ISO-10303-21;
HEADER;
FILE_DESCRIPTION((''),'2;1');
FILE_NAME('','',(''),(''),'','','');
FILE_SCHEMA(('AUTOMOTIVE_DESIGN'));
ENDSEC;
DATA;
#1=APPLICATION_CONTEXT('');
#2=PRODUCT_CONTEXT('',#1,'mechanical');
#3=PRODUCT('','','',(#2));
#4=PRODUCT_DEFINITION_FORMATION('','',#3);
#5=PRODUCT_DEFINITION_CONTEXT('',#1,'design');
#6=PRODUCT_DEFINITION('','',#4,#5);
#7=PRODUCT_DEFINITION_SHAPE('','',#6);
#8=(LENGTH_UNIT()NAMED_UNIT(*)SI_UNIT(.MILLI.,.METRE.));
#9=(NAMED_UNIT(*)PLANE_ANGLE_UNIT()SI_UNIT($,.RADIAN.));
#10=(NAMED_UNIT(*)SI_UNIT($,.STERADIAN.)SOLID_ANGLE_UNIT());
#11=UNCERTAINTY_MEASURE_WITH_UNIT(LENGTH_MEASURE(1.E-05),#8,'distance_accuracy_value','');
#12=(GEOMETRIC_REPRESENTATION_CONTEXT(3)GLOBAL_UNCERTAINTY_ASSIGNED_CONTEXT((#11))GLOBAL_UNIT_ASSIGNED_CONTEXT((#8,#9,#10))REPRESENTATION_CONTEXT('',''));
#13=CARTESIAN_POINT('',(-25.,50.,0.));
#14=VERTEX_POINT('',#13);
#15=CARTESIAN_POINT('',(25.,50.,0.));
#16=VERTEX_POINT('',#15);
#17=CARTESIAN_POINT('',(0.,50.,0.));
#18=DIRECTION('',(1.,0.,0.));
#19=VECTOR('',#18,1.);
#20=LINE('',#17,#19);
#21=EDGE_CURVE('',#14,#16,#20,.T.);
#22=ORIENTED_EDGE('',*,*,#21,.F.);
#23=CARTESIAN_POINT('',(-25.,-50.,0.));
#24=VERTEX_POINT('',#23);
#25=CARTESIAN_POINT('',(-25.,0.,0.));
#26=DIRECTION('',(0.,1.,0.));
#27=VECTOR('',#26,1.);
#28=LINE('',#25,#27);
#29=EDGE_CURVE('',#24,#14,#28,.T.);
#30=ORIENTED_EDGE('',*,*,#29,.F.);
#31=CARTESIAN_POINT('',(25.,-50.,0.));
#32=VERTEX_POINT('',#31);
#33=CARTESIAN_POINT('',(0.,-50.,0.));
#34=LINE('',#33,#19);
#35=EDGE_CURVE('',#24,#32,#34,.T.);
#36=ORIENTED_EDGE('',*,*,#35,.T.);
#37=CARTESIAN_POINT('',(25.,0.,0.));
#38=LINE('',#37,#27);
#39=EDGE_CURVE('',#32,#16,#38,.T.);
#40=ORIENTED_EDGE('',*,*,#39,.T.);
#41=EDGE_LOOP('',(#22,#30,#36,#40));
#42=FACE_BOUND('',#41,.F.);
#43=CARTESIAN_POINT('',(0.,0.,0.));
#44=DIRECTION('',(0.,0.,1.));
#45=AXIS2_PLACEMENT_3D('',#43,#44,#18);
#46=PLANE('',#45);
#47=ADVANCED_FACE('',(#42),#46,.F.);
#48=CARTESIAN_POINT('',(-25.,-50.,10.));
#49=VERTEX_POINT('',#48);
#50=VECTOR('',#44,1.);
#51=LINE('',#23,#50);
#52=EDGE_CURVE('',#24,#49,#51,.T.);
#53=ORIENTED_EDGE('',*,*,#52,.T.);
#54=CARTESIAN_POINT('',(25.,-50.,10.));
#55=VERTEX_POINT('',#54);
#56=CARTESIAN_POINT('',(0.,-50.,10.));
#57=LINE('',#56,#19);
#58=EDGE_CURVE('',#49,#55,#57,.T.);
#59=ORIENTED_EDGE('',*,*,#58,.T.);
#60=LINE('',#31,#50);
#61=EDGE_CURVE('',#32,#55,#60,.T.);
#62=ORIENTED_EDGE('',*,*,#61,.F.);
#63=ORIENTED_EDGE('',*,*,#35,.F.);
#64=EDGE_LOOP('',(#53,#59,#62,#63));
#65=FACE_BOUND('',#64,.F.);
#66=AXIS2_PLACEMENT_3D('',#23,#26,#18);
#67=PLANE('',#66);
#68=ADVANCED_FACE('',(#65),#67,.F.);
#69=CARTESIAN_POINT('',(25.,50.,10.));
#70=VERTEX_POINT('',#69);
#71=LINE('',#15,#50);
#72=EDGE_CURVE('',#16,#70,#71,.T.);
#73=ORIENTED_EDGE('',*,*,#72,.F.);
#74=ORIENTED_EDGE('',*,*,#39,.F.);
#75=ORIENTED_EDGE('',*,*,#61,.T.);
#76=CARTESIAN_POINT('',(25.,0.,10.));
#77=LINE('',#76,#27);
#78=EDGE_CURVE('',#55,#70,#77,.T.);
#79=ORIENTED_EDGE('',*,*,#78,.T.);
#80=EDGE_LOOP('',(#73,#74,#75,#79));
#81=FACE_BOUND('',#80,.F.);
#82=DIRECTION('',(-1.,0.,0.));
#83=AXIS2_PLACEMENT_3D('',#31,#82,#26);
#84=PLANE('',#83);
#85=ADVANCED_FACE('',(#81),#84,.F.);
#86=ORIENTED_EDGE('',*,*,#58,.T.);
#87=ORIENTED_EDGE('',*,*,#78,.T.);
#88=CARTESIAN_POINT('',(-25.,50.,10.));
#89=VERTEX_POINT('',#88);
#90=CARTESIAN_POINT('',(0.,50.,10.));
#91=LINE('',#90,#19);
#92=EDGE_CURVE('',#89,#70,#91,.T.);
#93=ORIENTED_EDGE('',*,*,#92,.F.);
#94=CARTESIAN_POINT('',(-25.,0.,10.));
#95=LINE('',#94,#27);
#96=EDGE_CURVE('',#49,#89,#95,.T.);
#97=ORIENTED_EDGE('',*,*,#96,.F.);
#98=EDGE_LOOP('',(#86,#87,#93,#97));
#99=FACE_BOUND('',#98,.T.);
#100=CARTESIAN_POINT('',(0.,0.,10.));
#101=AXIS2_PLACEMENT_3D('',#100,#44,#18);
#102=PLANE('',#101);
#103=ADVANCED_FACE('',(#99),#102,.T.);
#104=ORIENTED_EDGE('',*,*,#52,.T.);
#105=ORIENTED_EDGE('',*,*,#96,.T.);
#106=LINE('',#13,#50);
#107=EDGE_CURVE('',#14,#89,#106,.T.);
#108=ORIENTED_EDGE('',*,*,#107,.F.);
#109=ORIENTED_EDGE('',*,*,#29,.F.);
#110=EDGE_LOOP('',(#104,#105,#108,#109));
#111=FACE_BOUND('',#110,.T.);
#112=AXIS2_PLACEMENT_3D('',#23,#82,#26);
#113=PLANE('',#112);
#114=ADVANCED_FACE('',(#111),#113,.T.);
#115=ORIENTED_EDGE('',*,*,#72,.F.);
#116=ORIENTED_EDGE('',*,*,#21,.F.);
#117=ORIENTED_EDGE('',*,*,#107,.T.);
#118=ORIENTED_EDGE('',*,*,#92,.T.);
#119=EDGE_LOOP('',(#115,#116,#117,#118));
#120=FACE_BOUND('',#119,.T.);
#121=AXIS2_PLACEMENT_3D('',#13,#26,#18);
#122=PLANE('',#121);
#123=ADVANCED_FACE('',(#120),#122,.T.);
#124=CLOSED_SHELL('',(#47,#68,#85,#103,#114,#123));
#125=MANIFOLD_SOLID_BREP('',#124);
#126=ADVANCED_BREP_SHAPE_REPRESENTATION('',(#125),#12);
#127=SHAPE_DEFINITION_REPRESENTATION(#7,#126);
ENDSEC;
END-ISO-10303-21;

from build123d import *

# Parameters (mm, degrees)
SKICA1_W                = 50
SKICA1_H                = 100
P_IDAT_VYSUNUT_M1_DEPTH = 10


with BuildPart() as part:
    # Skica1 → Přidat vysunutím1 (new body)
    with BuildSketch(Plane.XY):
        Rectangle(SKICA1_W, SKICA1_H)
    extrude(amount=P_IDAT_VYSUNUT_M1_DEPTH)


solid = part.part
